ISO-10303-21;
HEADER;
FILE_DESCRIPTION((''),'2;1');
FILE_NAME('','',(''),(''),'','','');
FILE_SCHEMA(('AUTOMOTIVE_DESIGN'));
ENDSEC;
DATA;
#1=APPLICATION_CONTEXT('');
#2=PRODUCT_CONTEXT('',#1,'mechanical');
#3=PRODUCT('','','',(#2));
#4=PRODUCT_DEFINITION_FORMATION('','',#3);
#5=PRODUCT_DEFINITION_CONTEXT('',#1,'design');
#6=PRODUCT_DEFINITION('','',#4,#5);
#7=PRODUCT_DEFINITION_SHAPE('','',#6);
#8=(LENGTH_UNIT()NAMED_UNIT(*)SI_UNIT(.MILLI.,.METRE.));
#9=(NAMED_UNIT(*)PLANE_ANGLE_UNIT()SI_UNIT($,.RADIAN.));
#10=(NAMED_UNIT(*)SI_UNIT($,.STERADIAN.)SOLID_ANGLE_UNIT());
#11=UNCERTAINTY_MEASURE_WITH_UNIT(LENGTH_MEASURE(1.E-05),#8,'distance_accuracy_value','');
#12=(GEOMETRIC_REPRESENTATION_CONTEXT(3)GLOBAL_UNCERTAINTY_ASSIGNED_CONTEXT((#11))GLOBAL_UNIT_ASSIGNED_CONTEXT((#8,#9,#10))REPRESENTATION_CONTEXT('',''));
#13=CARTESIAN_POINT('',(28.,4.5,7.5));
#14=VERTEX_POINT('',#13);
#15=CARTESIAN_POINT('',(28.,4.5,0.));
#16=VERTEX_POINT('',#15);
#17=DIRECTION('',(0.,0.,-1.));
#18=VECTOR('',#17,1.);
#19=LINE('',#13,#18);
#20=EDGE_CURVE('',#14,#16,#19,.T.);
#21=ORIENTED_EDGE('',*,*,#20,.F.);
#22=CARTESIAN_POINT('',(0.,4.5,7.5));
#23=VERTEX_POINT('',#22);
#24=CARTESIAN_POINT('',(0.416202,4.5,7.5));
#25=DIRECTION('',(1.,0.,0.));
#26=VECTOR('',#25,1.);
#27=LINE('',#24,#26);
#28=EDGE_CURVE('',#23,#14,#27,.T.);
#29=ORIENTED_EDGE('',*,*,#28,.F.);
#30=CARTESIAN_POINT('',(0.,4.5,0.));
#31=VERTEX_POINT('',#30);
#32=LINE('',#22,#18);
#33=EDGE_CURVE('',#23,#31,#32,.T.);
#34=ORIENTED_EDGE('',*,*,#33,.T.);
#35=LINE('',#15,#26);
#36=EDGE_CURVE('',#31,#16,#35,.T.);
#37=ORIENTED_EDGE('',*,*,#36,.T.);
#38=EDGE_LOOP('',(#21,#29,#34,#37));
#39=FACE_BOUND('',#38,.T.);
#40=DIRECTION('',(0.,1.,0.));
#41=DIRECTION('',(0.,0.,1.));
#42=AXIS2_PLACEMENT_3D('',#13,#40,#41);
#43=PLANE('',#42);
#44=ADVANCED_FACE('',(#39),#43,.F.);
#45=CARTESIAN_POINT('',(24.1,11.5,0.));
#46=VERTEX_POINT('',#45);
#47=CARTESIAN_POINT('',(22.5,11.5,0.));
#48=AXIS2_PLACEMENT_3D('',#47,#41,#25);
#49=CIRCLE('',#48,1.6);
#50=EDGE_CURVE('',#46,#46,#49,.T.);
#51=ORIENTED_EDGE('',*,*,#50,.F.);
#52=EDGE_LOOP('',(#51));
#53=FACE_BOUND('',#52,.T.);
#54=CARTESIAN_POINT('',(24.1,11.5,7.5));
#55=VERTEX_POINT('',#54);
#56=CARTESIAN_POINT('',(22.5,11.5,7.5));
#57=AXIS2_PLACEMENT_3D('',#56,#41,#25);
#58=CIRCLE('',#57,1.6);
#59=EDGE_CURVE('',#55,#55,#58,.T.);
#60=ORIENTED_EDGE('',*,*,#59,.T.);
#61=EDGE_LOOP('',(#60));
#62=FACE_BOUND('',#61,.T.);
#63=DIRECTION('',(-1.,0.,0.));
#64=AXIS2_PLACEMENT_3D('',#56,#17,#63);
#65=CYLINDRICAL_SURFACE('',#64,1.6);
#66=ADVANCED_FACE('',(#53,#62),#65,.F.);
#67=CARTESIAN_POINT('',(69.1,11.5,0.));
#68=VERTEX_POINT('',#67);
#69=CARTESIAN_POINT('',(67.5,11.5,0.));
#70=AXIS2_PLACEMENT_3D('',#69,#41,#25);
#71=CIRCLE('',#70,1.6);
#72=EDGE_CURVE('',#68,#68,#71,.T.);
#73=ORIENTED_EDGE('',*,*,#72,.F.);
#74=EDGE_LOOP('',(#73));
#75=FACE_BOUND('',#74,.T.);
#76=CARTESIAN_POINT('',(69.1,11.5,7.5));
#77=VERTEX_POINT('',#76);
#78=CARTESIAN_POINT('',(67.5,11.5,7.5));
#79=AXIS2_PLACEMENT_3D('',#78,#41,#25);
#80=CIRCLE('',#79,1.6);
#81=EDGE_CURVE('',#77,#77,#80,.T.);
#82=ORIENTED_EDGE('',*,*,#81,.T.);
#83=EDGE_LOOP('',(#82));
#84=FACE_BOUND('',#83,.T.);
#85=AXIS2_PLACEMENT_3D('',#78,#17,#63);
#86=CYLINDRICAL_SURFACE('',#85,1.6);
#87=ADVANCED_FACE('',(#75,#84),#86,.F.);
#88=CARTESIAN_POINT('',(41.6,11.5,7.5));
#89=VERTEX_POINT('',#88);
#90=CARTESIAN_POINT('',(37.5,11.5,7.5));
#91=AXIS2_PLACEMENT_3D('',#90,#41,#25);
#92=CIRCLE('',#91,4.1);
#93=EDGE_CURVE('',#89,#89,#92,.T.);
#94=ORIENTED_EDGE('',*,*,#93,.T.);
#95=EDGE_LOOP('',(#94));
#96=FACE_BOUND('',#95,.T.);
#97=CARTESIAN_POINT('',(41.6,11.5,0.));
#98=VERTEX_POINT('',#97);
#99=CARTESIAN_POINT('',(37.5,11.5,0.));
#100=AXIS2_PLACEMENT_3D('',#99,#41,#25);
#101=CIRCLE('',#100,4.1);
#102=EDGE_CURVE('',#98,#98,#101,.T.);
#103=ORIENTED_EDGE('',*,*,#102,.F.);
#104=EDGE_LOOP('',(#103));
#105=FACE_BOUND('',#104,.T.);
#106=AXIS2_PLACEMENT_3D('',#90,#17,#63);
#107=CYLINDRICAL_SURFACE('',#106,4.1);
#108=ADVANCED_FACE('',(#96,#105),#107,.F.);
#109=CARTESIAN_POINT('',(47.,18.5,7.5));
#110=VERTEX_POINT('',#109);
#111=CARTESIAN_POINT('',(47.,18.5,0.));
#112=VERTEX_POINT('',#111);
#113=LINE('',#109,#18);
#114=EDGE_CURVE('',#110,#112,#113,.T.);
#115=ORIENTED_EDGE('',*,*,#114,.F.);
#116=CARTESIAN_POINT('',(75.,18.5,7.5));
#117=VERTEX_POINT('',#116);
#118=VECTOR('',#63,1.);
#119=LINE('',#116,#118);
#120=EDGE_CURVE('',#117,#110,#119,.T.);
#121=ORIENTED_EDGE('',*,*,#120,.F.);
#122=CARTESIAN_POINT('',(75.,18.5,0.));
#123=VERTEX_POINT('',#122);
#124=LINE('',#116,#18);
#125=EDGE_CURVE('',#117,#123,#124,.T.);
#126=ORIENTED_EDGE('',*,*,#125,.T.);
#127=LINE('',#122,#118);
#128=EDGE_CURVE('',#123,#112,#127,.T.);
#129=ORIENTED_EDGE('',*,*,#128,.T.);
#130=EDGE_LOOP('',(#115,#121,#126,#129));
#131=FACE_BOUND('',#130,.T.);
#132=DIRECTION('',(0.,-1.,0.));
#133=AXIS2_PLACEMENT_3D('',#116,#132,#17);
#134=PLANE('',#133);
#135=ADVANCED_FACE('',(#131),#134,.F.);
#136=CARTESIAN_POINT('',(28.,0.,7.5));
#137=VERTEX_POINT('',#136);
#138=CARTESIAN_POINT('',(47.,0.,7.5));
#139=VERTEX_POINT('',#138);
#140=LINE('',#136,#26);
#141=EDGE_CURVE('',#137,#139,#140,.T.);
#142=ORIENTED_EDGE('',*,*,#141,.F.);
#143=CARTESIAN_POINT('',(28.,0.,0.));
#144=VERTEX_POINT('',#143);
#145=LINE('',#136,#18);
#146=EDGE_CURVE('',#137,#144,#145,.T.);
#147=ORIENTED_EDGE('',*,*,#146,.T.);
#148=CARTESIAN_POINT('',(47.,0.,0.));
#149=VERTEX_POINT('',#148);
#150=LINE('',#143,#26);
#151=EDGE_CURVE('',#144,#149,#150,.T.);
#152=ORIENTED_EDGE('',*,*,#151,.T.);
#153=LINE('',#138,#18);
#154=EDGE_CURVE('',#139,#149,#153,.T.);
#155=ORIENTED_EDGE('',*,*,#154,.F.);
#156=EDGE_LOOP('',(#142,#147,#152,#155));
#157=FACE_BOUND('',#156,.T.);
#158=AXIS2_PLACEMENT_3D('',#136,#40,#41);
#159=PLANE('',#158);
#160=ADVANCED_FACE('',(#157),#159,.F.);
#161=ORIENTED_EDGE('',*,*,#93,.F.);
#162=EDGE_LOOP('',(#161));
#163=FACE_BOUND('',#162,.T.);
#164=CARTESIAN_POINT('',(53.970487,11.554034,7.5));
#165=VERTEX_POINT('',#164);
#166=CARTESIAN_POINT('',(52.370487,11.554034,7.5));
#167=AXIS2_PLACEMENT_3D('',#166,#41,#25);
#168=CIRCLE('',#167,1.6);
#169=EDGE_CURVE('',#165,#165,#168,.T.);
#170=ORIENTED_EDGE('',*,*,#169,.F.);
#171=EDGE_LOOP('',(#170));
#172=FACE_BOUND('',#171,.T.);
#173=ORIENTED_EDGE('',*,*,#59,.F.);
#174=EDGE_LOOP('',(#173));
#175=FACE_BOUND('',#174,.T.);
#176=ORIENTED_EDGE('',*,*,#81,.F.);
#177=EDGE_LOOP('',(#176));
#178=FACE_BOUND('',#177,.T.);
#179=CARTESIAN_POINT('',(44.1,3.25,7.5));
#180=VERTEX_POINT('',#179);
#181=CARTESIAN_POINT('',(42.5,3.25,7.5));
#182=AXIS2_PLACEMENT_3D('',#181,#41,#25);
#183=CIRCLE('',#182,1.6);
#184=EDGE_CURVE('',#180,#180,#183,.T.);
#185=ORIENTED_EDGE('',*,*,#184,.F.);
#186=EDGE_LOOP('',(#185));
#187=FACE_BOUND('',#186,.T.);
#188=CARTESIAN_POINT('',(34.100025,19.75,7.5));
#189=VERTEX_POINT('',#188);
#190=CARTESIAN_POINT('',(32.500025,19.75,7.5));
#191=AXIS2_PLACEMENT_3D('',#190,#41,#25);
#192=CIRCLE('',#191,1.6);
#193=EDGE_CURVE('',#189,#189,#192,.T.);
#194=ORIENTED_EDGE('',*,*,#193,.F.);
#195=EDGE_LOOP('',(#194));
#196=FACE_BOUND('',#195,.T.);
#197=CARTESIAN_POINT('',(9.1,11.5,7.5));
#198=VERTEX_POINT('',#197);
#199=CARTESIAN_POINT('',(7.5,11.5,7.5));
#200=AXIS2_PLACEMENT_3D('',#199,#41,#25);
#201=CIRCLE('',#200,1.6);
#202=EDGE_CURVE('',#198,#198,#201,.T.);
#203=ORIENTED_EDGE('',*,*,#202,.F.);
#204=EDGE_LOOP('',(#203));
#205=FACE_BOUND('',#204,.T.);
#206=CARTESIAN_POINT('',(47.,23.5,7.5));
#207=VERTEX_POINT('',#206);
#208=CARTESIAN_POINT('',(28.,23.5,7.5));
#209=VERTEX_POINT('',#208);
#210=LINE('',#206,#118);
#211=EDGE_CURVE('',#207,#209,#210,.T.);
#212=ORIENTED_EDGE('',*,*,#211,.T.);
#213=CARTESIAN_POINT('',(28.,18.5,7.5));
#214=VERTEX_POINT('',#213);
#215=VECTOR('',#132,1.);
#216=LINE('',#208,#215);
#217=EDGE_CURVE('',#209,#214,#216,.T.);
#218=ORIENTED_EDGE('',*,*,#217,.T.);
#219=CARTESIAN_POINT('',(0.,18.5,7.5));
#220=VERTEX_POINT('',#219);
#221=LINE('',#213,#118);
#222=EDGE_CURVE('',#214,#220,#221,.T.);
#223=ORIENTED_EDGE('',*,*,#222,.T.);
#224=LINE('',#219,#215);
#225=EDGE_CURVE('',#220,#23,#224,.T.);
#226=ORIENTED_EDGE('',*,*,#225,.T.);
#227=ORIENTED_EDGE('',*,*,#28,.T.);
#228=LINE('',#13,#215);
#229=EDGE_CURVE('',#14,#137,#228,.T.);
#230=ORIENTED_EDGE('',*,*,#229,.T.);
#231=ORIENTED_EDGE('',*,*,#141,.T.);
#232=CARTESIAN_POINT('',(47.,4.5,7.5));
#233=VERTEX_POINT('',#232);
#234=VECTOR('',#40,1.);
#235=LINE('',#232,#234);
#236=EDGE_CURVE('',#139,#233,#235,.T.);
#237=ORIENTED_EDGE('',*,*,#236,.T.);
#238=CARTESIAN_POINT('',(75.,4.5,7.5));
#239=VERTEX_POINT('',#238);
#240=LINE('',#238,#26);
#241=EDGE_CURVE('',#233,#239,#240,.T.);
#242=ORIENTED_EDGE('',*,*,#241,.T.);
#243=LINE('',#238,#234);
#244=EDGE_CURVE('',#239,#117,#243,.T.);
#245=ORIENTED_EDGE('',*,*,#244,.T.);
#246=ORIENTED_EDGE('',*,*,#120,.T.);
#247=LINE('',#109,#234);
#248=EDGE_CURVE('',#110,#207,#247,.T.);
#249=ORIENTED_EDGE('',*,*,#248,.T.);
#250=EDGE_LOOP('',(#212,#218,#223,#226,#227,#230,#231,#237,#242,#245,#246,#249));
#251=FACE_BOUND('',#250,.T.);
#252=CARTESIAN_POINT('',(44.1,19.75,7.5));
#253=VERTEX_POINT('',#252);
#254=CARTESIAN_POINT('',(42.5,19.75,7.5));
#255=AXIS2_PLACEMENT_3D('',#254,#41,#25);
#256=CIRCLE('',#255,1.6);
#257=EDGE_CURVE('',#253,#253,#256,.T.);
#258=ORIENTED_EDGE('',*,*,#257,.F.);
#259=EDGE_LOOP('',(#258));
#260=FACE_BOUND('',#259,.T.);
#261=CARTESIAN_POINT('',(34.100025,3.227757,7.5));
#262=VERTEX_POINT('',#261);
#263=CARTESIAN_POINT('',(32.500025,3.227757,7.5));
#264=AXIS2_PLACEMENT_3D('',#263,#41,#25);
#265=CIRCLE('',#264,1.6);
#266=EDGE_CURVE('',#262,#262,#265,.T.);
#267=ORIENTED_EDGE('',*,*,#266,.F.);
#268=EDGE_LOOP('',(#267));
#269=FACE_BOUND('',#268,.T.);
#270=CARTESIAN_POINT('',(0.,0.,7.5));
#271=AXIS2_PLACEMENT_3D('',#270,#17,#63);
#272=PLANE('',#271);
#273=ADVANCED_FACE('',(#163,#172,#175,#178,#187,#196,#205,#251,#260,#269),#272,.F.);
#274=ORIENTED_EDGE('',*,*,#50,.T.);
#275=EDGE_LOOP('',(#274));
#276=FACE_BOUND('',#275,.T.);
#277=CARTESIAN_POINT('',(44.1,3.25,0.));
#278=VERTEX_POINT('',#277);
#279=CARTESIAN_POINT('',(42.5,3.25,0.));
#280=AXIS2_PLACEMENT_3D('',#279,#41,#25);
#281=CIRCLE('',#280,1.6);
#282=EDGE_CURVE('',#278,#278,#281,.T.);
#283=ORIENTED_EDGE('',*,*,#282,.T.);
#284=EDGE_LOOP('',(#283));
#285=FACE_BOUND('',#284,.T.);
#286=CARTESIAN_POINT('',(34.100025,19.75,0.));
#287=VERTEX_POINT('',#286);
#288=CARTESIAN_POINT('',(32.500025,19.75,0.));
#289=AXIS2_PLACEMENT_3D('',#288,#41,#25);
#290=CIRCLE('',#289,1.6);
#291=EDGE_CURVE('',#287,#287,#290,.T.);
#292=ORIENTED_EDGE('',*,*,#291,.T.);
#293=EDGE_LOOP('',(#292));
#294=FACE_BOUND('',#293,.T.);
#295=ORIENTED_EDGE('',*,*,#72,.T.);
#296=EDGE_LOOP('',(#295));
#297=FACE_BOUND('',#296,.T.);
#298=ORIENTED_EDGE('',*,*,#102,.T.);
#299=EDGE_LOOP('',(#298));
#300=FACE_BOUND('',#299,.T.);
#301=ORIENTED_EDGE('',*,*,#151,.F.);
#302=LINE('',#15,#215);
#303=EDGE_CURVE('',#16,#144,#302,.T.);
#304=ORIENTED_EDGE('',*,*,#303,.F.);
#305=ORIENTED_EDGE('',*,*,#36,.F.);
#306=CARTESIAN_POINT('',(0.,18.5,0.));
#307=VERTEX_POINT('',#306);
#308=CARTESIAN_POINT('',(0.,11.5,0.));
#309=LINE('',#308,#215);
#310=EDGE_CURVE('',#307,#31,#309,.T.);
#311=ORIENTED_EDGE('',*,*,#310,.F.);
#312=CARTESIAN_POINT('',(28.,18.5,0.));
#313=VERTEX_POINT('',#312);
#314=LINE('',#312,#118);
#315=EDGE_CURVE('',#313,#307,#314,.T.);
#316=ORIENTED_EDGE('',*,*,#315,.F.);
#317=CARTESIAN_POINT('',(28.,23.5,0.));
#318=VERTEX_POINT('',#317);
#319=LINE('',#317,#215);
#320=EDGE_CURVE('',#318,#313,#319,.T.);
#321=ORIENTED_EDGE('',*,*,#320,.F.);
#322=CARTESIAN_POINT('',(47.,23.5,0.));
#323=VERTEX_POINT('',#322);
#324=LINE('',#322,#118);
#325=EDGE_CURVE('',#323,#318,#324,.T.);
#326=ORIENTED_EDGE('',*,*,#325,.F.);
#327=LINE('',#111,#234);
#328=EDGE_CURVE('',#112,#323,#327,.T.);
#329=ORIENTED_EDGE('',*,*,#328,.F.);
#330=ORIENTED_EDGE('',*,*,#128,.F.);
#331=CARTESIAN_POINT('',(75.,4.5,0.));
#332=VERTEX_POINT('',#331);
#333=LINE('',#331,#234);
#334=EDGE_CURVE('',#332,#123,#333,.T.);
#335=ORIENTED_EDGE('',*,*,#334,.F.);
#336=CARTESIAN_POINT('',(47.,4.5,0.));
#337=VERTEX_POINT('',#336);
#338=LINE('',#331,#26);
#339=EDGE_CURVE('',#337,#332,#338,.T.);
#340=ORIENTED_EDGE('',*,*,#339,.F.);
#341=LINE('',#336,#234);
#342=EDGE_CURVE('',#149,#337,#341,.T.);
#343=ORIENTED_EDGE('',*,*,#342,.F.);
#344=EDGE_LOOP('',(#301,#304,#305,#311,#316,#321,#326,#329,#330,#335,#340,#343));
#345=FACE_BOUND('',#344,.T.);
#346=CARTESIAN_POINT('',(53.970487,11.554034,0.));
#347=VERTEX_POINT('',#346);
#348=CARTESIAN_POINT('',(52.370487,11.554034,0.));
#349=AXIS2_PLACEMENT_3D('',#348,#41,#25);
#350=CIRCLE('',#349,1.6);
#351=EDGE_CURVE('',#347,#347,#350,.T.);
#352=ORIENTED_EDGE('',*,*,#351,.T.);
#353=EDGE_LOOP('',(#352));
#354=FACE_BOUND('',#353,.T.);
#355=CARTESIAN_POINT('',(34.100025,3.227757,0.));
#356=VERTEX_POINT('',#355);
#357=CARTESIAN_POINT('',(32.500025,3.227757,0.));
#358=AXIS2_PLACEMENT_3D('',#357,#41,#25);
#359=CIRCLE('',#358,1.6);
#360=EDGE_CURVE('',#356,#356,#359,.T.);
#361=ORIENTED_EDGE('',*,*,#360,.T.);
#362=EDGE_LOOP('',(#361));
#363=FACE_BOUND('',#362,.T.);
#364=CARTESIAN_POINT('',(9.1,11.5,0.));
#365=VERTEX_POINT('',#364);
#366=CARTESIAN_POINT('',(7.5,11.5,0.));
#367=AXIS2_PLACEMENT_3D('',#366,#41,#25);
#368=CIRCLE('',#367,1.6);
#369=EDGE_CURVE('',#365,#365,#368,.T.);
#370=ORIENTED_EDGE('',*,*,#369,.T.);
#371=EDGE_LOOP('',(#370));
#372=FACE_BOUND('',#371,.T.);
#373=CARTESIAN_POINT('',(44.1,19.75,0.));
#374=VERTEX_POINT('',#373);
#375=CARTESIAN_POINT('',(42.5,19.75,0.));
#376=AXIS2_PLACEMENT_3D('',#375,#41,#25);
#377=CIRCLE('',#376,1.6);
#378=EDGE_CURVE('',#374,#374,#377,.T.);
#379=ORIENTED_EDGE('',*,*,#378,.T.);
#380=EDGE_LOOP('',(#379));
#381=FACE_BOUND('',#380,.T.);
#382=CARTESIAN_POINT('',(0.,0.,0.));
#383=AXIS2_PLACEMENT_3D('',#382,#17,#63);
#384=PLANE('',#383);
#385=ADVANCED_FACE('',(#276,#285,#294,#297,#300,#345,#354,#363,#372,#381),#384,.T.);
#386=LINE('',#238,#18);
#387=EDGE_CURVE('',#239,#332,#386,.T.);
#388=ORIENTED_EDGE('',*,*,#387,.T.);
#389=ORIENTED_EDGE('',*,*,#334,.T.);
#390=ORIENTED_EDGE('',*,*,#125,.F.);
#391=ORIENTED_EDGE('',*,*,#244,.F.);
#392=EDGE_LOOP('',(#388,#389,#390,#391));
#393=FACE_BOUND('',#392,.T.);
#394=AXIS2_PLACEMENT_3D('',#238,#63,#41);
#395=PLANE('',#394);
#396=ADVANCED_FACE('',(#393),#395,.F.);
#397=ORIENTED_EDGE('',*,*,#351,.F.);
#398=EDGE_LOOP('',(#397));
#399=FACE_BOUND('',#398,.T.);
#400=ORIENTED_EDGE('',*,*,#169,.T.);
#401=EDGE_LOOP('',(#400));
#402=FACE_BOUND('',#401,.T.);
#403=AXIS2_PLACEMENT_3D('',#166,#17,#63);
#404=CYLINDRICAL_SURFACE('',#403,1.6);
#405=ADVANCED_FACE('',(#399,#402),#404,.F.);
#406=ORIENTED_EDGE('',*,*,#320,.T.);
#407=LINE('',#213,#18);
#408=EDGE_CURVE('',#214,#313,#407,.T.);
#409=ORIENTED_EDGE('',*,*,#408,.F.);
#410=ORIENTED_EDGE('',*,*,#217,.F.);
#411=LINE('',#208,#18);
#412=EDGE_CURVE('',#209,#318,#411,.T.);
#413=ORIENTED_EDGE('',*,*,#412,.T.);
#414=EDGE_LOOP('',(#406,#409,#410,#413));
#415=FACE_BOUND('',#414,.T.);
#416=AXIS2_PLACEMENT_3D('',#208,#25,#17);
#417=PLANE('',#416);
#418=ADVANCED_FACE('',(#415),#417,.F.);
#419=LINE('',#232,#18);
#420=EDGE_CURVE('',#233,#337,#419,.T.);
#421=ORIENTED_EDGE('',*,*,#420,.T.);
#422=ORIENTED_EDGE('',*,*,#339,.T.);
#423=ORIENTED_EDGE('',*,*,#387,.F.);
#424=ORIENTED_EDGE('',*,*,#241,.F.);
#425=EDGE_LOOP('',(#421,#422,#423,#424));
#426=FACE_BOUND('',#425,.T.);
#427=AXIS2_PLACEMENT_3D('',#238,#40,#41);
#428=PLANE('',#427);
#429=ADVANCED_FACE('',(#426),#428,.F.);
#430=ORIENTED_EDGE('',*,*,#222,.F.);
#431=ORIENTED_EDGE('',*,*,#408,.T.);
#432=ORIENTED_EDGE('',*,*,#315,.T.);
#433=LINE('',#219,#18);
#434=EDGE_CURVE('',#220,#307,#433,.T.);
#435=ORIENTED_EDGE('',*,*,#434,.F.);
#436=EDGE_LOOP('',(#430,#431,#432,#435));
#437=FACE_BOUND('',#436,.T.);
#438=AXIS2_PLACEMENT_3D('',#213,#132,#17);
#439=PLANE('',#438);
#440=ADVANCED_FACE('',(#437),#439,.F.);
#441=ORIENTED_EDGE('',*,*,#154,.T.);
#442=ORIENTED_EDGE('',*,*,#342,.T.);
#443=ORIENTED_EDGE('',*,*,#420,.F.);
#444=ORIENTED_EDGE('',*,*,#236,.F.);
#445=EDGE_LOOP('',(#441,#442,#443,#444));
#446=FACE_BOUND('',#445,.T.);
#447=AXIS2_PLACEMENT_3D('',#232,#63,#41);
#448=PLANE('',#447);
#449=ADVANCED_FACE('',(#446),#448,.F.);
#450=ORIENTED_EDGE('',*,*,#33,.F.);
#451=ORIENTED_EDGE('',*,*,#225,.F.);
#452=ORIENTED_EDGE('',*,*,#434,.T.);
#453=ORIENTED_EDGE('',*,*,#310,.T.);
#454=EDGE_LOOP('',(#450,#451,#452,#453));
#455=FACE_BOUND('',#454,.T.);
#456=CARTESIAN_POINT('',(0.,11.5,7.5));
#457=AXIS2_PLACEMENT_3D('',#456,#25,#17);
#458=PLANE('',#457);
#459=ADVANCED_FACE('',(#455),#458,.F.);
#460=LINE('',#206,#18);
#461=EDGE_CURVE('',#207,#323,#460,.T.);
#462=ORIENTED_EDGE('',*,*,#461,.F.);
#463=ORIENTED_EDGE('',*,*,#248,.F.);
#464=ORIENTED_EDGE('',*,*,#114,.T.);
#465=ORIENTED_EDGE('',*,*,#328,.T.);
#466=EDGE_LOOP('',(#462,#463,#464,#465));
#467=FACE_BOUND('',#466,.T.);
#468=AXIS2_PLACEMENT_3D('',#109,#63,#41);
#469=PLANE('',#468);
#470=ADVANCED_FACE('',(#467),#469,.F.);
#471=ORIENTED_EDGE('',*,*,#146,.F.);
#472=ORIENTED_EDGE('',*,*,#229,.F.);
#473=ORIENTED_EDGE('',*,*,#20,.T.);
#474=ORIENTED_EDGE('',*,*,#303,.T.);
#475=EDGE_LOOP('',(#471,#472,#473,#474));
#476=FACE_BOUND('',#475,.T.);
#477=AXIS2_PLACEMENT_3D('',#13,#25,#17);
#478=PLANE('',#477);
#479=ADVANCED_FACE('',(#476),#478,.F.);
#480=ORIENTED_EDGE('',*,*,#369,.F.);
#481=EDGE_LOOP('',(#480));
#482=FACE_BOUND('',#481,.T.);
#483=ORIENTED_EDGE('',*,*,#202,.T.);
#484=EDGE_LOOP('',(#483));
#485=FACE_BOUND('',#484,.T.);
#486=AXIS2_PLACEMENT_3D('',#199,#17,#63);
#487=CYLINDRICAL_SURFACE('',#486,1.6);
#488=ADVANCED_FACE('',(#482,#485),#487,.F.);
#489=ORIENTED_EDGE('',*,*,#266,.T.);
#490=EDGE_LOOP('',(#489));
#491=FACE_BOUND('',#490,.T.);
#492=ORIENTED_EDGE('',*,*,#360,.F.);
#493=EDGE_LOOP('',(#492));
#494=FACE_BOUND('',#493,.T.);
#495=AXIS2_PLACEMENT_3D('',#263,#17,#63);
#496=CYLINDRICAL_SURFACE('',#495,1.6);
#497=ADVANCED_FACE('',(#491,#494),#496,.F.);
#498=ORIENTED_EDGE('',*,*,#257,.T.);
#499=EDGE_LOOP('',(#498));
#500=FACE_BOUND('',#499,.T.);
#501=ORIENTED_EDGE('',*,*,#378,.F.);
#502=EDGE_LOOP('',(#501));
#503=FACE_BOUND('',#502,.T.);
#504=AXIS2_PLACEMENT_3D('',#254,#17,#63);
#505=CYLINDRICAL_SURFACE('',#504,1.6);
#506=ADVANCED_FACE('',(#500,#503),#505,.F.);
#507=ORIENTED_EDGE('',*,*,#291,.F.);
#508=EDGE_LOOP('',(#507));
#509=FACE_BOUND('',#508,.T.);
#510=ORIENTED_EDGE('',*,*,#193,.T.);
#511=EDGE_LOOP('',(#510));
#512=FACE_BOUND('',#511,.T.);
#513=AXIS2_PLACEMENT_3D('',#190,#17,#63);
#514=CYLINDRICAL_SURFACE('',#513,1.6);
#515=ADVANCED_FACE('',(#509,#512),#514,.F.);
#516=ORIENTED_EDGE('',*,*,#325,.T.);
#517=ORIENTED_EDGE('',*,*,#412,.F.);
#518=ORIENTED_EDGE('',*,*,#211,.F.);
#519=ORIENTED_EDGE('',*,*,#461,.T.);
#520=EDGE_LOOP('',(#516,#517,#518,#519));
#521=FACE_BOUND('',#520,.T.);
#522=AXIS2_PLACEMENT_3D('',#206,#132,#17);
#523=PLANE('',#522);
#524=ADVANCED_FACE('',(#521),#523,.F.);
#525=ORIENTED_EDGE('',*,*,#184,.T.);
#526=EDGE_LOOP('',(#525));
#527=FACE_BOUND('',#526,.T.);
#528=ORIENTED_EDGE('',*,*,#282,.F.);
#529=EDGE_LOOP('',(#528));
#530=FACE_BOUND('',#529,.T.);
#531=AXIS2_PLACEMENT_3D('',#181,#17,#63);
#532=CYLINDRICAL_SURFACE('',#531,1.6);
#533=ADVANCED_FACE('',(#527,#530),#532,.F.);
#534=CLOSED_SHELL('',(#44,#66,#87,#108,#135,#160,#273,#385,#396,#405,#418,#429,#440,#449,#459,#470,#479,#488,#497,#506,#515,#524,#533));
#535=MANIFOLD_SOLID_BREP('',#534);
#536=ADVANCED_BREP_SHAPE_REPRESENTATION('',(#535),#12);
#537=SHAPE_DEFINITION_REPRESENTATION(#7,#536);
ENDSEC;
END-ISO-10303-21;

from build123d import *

# Parameters (mm, degrees)
SKETCH_1_R      = 4.1
SKETCH_1_R_2    = 1.6
EXTRUDE_1_DEPTH = 7.5


with BuildPart() as part:
    # 草图1 → 凸台-拉伸1 (new body)
    with BuildSketch(Plane.XY):
        Polygon((0, 11.5), (0, 4.5), (0.416202301, 4.5), (28, 4.5), (28, 0), (47, 0), (47, 4.5), (75, 4.5), (75, 18.5), (47, 18.5), (47, 23.5), (28, 23.5), (28, 18.5), (0, 18.5), align=None)
        with Locations((37.5, 11.5)):
            Circle(SKETCH_1_R, mode=Mode.SUBTRACT)
        with Locations((67.5, 11.5)):
            Circle(SKETCH_1_R_2, mode=Mode.SUBTRACT)
        with Locations((32.500024738, 3.227756818)):
            Circle(SKETCH_1_R_2, mode=Mode.SUBTRACT)
        with Locations((42.5, 3.25)):
            Circle(SKETCH_1_R_2, mode=Mode.SUBTRACT)
        with Locations((42.5, 19.75)):
            Circle(SKETCH_1_R_2, mode=Mode.SUBTRACT)
        with Locations((32.500024738, 19.75)):
            Circle(SKETCH_1_R_2, mode=Mode.SUBTRACT)
        with Locations((7.5, 11.5)):
            Circle(SKETCH_1_R_2, mode=Mode.SUBTRACT)
        with Locations((52.370486737, 11.554033831)):
            Circle(SKETCH_1_R_2, mode=Mode.SUBTRACT)
        with Locations((22.5, 11.5)):
            Circle(SKETCH_1_R_2, mode=Mode.SUBTRACT)
    extrude(amount=EXTRUDE_1_DEPTH)


solid = part.part
